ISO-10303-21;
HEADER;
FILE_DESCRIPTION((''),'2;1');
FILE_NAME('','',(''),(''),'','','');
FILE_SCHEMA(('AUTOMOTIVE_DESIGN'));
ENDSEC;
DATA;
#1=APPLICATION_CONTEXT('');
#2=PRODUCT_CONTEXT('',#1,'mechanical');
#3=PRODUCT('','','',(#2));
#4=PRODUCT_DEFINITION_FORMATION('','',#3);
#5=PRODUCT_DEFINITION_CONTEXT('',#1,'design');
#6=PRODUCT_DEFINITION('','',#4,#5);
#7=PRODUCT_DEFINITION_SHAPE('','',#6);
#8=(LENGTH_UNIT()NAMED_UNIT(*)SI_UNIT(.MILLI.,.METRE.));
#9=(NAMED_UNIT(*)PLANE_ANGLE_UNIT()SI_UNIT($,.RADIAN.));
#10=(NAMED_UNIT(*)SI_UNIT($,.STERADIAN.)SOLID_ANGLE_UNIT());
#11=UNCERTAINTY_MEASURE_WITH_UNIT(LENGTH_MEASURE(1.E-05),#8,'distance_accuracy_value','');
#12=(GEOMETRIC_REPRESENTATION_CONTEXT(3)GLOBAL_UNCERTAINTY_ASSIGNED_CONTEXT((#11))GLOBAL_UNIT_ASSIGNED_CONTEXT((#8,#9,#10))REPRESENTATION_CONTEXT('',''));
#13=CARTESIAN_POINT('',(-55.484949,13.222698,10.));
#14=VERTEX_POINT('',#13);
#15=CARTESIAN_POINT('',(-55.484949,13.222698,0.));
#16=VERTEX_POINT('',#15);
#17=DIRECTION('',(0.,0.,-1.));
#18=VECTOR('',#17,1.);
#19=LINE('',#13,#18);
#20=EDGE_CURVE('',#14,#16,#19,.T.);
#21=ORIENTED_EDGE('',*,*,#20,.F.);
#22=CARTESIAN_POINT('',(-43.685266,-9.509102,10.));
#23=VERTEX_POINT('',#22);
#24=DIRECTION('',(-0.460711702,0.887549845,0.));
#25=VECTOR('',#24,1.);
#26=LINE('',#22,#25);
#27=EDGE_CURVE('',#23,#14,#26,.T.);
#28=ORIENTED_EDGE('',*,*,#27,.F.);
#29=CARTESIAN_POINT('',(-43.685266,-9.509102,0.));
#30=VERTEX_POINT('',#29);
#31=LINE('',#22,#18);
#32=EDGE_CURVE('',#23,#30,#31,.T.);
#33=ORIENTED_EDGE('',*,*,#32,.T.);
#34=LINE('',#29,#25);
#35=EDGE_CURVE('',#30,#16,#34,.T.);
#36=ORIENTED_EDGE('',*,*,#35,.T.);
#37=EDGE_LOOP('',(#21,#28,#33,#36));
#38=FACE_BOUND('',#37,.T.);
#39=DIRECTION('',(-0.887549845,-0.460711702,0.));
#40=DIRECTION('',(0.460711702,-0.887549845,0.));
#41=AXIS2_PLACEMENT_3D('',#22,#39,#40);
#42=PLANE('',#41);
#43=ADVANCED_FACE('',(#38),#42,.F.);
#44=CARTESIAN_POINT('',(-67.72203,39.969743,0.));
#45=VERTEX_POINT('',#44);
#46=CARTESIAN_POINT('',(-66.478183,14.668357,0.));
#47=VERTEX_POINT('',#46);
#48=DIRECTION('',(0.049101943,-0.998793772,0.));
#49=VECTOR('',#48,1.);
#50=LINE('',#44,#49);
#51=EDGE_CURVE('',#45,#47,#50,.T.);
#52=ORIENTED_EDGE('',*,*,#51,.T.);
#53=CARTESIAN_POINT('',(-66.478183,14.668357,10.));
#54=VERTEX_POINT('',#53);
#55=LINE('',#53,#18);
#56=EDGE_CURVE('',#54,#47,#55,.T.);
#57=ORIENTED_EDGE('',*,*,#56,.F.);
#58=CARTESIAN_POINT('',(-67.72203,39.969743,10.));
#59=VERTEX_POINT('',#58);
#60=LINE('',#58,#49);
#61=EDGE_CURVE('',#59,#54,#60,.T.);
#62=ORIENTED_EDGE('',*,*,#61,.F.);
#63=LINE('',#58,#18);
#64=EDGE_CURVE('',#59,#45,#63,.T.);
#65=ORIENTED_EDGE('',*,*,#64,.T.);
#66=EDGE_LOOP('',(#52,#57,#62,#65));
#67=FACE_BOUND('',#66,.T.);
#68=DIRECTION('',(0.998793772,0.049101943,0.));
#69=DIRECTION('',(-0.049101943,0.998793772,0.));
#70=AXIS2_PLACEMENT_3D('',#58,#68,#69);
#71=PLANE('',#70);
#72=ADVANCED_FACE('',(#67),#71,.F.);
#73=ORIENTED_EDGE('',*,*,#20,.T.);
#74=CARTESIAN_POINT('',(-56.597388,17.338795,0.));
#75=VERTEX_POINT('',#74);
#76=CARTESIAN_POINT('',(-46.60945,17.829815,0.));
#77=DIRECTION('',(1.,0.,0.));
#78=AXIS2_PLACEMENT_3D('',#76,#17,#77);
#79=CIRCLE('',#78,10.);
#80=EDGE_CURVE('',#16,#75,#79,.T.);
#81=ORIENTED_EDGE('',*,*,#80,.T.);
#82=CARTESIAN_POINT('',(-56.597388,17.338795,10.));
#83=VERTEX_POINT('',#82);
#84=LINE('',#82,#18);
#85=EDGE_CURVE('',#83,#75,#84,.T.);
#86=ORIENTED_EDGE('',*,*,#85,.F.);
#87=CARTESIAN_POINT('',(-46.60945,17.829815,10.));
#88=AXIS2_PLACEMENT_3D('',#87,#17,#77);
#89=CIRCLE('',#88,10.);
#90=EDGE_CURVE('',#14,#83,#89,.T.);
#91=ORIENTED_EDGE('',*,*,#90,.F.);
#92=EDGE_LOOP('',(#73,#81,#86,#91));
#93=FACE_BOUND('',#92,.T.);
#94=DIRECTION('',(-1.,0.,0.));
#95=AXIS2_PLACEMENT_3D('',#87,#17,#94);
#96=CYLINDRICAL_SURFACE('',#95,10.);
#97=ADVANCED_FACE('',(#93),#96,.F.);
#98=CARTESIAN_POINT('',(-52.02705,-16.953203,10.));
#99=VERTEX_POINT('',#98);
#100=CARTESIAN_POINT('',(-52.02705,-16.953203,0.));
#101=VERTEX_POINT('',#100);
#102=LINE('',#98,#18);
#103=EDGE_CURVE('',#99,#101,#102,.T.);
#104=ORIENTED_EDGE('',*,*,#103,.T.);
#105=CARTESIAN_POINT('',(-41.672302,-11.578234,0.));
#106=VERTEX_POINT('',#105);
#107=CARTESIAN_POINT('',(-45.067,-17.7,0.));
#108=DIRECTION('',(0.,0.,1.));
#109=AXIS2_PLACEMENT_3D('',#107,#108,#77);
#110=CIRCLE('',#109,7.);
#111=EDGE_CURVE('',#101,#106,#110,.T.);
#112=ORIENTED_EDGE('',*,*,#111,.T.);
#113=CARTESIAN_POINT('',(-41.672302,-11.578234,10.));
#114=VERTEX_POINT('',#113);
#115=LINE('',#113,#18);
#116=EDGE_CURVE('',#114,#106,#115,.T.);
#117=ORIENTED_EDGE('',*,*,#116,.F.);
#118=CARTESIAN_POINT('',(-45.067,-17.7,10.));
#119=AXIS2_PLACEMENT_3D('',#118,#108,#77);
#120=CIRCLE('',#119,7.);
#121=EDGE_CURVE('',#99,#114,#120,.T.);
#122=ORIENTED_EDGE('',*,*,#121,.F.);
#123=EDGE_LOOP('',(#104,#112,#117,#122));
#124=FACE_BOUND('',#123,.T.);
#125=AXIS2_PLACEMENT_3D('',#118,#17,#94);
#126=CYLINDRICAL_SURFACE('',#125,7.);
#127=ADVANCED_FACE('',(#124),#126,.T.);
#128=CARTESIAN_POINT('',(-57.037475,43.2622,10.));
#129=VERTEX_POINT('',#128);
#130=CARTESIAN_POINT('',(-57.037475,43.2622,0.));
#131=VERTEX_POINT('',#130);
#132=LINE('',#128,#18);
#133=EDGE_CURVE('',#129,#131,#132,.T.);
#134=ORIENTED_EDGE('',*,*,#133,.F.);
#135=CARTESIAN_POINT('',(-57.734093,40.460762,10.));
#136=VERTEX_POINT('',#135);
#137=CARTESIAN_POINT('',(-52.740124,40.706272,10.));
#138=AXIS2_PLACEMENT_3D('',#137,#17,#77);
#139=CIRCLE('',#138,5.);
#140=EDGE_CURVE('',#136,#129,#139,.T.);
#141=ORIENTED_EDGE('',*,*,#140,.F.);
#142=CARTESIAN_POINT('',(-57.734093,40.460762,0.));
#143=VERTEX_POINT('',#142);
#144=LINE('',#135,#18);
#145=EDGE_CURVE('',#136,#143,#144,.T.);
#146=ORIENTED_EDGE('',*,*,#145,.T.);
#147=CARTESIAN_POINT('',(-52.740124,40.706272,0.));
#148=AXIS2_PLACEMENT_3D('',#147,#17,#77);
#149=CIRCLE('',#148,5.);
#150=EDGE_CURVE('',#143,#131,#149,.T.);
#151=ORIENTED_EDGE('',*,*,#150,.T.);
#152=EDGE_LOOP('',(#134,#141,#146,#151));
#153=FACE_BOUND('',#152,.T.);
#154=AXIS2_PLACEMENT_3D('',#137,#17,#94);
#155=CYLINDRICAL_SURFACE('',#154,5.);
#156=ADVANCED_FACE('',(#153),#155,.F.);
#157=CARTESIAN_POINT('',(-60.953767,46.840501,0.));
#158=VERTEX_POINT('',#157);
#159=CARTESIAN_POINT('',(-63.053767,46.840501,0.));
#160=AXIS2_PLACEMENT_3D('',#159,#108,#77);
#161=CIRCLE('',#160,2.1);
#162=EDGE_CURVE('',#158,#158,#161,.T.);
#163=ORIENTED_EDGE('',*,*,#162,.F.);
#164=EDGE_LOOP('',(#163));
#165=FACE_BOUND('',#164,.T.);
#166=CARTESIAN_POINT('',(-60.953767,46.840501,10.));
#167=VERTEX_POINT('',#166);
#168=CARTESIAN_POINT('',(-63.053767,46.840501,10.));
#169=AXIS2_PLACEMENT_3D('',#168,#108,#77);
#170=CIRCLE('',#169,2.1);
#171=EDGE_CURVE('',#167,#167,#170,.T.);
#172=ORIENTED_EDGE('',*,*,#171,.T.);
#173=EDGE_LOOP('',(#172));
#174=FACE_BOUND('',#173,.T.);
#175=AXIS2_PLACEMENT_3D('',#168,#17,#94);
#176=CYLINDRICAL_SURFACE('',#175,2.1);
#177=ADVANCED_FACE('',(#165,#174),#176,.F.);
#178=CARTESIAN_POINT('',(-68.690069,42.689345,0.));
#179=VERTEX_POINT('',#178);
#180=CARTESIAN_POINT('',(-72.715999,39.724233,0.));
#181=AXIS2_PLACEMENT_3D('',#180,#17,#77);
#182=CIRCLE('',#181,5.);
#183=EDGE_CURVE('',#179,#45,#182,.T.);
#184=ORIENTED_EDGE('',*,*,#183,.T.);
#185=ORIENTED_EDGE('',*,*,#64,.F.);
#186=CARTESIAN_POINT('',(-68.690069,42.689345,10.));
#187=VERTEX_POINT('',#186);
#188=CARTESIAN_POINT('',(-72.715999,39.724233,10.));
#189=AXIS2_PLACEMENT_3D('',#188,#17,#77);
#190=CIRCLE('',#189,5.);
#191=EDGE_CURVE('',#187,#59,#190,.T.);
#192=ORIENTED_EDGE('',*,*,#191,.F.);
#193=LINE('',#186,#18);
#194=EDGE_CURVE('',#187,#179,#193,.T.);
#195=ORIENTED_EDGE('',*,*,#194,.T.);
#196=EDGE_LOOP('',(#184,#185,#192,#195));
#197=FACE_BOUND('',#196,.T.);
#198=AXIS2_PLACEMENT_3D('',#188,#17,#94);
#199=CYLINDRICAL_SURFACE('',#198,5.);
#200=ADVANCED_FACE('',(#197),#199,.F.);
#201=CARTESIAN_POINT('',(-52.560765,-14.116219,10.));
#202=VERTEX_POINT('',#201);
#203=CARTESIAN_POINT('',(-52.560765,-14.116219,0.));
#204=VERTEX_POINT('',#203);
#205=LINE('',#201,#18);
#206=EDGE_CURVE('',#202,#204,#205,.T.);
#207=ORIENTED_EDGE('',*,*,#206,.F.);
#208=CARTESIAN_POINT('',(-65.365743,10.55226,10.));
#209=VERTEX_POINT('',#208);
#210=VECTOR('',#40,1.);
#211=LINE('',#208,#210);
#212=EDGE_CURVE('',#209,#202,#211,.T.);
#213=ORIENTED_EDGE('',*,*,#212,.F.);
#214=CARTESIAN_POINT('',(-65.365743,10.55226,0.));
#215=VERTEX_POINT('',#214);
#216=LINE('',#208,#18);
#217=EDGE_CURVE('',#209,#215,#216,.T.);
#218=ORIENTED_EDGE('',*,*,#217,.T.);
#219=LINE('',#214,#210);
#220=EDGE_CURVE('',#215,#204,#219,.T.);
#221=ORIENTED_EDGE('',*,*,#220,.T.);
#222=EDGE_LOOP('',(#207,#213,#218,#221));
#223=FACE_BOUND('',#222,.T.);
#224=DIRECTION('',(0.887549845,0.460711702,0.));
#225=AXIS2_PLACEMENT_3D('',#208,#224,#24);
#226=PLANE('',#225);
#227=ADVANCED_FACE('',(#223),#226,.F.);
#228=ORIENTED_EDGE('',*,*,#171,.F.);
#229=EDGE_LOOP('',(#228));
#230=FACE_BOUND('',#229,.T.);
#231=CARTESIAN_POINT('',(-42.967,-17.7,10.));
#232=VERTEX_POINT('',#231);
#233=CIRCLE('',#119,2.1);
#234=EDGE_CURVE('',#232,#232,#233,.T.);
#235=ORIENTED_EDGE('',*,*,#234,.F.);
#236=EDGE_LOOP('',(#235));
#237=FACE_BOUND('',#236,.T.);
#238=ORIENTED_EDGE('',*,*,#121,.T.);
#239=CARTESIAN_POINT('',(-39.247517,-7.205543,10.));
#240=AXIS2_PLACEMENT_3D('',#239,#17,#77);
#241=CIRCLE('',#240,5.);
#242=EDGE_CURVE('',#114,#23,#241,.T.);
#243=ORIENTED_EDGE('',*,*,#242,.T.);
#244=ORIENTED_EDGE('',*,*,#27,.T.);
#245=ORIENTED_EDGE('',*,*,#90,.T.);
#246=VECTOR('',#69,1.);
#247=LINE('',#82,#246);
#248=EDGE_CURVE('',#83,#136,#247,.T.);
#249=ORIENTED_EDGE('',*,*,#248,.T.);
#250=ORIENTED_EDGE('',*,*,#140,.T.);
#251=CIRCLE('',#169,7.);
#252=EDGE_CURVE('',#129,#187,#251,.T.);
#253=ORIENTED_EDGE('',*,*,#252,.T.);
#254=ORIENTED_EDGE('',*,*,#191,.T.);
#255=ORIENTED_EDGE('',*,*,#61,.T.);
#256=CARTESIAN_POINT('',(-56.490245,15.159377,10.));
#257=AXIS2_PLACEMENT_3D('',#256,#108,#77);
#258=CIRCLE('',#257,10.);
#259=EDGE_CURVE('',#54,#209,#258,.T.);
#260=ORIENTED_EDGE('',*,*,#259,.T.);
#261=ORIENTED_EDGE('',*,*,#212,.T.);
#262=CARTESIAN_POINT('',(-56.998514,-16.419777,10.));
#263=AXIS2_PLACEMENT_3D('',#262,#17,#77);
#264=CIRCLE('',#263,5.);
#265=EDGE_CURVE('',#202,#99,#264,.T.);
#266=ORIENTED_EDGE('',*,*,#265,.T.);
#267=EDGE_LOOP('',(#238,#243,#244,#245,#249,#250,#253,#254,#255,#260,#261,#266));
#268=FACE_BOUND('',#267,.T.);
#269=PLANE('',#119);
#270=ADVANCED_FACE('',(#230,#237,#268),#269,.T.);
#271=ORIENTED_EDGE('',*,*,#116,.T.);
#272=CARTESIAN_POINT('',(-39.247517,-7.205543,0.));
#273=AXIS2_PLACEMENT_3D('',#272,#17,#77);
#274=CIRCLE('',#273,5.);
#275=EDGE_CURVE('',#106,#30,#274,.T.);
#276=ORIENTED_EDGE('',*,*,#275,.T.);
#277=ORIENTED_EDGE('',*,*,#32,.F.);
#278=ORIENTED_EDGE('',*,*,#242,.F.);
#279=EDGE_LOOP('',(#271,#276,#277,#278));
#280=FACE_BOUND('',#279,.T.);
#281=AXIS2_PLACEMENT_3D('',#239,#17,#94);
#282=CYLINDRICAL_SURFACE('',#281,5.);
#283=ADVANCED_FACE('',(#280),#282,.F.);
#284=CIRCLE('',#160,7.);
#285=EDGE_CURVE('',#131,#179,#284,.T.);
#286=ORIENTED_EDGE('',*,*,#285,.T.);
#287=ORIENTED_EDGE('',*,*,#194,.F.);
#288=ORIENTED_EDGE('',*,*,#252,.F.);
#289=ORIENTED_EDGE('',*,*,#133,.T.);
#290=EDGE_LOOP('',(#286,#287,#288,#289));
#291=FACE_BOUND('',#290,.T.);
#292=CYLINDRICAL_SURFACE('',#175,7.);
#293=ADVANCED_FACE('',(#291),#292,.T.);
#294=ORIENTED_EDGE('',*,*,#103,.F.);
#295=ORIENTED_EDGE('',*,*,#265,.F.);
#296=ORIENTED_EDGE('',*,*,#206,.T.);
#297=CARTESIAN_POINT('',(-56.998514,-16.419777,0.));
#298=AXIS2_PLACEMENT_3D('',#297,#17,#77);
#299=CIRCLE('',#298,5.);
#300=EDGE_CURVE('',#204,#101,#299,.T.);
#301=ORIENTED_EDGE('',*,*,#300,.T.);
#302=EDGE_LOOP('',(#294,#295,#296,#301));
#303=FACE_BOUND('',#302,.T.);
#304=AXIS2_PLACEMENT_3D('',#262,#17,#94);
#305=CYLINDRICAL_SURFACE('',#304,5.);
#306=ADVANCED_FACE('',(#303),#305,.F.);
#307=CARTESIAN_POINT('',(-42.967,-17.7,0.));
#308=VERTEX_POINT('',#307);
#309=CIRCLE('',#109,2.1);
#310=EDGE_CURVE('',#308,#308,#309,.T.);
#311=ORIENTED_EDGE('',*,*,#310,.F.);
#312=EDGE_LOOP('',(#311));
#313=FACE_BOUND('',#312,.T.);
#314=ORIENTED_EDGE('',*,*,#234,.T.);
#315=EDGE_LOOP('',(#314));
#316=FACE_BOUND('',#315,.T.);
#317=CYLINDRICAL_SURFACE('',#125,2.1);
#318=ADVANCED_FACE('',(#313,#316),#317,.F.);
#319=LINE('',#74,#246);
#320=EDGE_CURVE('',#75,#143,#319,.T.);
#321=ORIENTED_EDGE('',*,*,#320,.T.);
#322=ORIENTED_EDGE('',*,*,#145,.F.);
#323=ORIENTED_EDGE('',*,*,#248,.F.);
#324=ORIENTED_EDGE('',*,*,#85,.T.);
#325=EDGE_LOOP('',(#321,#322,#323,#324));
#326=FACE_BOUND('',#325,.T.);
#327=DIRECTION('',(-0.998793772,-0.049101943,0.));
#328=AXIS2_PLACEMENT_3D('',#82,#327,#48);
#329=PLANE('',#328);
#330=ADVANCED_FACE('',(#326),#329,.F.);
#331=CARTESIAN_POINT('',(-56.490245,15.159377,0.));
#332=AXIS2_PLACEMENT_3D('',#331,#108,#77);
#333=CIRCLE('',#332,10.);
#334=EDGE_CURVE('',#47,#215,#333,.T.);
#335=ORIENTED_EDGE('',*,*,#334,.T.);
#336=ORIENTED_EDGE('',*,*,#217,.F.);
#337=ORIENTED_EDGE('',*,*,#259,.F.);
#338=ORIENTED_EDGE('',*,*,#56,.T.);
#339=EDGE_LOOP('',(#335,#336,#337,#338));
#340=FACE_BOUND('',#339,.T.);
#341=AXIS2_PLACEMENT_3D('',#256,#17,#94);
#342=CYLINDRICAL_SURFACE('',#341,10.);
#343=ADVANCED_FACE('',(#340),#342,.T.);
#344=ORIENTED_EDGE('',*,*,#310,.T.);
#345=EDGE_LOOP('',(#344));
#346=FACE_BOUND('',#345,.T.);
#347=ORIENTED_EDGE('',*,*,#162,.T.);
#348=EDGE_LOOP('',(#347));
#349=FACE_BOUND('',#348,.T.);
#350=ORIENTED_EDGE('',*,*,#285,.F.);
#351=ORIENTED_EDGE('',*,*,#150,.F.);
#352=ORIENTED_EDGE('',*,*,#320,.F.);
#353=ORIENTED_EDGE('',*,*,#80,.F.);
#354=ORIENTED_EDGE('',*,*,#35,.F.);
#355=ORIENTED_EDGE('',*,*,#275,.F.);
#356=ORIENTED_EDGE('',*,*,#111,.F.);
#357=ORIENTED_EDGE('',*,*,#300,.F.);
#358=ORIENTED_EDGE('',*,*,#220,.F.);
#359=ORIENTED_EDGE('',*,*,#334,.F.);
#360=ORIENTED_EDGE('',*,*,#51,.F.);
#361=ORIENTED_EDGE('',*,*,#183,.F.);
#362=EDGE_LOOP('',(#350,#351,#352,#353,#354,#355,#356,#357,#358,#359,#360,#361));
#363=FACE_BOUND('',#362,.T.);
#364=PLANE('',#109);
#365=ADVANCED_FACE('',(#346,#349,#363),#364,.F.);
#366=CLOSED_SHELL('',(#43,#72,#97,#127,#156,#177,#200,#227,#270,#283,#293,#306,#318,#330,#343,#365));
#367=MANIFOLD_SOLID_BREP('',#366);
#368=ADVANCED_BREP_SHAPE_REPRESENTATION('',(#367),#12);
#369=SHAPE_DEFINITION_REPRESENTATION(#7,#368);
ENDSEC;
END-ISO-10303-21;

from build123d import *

# Parameters (mm, degrees)
CROQUIS1_R              = 2.1
SALIENTE_EXTRUIR1_DEPTH = 10


with BuildPart() as part:
    # Croquis1 → Saliente-Extruir1 (new body)
    with BuildSketch(Plane.XY):
        with BuildLine():
            Line((-43.685266481, -9.509101851), (-55.484948694, 13.222697812))
            ThreePointArc((-55.484948694, 13.222697812), (-56.263095716, 15.220767285), (-56.597387965, 17.338795401))
            Line((-56.597387965, 17.338795401), (-57.734092582, 40.460761941))
            ThreePointArc((-57.734092582, 40.460761941), (-57.592357435, 41.912848633), (-57.037475041, 43.262200381))
            ThreePointArc((-57.037475041, 43.262200381), (-63.397480334, 53.832057006), (-68.690069236, 42.689344629))
            ThreePointArc((-68.690069236, 42.689344629), (-68.005510605, 41.40092523), (-67.722030303, 39.969742507))
            Line((-67.722030303, 39.969742507), (-66.478182752, 14.668357223))
            ThreePointArc((-66.478182752, 14.668357223), (-66.143890502, 12.550329107), (-65.365743481, 10.552259633))
            Line((-65.365743481, 10.552259633), (-52.560764931, -14.116218874))
            ThreePointArc((-52.560764931, -14.116218874), (-52.084712706, -15.495355776), (-52.027049902, -16.95320327))
            ThreePointArc((-52.027049902, -16.95320327), (-41.842018175, -23.912848963), (-41.672301733, -11.578233615))
            ThreePointArc((-41.672301733, -11.578233615), (-42.831358598, -10.692100558), (-43.685266481, -9.509101851))
        make_face()
        with Locations((-45.067, -17.7)):
            Circle(CROQUIS1_R, mode=Mode.SUBTRACT)
        with Locations((-63.053766888, 46.840500594)):
            Circle(CROQUIS1_R, mode=Mode.SUBTRACT)
    extrude(amount=SALIENTE_EXTRUIR1_DEPTH)


solid = part.part
